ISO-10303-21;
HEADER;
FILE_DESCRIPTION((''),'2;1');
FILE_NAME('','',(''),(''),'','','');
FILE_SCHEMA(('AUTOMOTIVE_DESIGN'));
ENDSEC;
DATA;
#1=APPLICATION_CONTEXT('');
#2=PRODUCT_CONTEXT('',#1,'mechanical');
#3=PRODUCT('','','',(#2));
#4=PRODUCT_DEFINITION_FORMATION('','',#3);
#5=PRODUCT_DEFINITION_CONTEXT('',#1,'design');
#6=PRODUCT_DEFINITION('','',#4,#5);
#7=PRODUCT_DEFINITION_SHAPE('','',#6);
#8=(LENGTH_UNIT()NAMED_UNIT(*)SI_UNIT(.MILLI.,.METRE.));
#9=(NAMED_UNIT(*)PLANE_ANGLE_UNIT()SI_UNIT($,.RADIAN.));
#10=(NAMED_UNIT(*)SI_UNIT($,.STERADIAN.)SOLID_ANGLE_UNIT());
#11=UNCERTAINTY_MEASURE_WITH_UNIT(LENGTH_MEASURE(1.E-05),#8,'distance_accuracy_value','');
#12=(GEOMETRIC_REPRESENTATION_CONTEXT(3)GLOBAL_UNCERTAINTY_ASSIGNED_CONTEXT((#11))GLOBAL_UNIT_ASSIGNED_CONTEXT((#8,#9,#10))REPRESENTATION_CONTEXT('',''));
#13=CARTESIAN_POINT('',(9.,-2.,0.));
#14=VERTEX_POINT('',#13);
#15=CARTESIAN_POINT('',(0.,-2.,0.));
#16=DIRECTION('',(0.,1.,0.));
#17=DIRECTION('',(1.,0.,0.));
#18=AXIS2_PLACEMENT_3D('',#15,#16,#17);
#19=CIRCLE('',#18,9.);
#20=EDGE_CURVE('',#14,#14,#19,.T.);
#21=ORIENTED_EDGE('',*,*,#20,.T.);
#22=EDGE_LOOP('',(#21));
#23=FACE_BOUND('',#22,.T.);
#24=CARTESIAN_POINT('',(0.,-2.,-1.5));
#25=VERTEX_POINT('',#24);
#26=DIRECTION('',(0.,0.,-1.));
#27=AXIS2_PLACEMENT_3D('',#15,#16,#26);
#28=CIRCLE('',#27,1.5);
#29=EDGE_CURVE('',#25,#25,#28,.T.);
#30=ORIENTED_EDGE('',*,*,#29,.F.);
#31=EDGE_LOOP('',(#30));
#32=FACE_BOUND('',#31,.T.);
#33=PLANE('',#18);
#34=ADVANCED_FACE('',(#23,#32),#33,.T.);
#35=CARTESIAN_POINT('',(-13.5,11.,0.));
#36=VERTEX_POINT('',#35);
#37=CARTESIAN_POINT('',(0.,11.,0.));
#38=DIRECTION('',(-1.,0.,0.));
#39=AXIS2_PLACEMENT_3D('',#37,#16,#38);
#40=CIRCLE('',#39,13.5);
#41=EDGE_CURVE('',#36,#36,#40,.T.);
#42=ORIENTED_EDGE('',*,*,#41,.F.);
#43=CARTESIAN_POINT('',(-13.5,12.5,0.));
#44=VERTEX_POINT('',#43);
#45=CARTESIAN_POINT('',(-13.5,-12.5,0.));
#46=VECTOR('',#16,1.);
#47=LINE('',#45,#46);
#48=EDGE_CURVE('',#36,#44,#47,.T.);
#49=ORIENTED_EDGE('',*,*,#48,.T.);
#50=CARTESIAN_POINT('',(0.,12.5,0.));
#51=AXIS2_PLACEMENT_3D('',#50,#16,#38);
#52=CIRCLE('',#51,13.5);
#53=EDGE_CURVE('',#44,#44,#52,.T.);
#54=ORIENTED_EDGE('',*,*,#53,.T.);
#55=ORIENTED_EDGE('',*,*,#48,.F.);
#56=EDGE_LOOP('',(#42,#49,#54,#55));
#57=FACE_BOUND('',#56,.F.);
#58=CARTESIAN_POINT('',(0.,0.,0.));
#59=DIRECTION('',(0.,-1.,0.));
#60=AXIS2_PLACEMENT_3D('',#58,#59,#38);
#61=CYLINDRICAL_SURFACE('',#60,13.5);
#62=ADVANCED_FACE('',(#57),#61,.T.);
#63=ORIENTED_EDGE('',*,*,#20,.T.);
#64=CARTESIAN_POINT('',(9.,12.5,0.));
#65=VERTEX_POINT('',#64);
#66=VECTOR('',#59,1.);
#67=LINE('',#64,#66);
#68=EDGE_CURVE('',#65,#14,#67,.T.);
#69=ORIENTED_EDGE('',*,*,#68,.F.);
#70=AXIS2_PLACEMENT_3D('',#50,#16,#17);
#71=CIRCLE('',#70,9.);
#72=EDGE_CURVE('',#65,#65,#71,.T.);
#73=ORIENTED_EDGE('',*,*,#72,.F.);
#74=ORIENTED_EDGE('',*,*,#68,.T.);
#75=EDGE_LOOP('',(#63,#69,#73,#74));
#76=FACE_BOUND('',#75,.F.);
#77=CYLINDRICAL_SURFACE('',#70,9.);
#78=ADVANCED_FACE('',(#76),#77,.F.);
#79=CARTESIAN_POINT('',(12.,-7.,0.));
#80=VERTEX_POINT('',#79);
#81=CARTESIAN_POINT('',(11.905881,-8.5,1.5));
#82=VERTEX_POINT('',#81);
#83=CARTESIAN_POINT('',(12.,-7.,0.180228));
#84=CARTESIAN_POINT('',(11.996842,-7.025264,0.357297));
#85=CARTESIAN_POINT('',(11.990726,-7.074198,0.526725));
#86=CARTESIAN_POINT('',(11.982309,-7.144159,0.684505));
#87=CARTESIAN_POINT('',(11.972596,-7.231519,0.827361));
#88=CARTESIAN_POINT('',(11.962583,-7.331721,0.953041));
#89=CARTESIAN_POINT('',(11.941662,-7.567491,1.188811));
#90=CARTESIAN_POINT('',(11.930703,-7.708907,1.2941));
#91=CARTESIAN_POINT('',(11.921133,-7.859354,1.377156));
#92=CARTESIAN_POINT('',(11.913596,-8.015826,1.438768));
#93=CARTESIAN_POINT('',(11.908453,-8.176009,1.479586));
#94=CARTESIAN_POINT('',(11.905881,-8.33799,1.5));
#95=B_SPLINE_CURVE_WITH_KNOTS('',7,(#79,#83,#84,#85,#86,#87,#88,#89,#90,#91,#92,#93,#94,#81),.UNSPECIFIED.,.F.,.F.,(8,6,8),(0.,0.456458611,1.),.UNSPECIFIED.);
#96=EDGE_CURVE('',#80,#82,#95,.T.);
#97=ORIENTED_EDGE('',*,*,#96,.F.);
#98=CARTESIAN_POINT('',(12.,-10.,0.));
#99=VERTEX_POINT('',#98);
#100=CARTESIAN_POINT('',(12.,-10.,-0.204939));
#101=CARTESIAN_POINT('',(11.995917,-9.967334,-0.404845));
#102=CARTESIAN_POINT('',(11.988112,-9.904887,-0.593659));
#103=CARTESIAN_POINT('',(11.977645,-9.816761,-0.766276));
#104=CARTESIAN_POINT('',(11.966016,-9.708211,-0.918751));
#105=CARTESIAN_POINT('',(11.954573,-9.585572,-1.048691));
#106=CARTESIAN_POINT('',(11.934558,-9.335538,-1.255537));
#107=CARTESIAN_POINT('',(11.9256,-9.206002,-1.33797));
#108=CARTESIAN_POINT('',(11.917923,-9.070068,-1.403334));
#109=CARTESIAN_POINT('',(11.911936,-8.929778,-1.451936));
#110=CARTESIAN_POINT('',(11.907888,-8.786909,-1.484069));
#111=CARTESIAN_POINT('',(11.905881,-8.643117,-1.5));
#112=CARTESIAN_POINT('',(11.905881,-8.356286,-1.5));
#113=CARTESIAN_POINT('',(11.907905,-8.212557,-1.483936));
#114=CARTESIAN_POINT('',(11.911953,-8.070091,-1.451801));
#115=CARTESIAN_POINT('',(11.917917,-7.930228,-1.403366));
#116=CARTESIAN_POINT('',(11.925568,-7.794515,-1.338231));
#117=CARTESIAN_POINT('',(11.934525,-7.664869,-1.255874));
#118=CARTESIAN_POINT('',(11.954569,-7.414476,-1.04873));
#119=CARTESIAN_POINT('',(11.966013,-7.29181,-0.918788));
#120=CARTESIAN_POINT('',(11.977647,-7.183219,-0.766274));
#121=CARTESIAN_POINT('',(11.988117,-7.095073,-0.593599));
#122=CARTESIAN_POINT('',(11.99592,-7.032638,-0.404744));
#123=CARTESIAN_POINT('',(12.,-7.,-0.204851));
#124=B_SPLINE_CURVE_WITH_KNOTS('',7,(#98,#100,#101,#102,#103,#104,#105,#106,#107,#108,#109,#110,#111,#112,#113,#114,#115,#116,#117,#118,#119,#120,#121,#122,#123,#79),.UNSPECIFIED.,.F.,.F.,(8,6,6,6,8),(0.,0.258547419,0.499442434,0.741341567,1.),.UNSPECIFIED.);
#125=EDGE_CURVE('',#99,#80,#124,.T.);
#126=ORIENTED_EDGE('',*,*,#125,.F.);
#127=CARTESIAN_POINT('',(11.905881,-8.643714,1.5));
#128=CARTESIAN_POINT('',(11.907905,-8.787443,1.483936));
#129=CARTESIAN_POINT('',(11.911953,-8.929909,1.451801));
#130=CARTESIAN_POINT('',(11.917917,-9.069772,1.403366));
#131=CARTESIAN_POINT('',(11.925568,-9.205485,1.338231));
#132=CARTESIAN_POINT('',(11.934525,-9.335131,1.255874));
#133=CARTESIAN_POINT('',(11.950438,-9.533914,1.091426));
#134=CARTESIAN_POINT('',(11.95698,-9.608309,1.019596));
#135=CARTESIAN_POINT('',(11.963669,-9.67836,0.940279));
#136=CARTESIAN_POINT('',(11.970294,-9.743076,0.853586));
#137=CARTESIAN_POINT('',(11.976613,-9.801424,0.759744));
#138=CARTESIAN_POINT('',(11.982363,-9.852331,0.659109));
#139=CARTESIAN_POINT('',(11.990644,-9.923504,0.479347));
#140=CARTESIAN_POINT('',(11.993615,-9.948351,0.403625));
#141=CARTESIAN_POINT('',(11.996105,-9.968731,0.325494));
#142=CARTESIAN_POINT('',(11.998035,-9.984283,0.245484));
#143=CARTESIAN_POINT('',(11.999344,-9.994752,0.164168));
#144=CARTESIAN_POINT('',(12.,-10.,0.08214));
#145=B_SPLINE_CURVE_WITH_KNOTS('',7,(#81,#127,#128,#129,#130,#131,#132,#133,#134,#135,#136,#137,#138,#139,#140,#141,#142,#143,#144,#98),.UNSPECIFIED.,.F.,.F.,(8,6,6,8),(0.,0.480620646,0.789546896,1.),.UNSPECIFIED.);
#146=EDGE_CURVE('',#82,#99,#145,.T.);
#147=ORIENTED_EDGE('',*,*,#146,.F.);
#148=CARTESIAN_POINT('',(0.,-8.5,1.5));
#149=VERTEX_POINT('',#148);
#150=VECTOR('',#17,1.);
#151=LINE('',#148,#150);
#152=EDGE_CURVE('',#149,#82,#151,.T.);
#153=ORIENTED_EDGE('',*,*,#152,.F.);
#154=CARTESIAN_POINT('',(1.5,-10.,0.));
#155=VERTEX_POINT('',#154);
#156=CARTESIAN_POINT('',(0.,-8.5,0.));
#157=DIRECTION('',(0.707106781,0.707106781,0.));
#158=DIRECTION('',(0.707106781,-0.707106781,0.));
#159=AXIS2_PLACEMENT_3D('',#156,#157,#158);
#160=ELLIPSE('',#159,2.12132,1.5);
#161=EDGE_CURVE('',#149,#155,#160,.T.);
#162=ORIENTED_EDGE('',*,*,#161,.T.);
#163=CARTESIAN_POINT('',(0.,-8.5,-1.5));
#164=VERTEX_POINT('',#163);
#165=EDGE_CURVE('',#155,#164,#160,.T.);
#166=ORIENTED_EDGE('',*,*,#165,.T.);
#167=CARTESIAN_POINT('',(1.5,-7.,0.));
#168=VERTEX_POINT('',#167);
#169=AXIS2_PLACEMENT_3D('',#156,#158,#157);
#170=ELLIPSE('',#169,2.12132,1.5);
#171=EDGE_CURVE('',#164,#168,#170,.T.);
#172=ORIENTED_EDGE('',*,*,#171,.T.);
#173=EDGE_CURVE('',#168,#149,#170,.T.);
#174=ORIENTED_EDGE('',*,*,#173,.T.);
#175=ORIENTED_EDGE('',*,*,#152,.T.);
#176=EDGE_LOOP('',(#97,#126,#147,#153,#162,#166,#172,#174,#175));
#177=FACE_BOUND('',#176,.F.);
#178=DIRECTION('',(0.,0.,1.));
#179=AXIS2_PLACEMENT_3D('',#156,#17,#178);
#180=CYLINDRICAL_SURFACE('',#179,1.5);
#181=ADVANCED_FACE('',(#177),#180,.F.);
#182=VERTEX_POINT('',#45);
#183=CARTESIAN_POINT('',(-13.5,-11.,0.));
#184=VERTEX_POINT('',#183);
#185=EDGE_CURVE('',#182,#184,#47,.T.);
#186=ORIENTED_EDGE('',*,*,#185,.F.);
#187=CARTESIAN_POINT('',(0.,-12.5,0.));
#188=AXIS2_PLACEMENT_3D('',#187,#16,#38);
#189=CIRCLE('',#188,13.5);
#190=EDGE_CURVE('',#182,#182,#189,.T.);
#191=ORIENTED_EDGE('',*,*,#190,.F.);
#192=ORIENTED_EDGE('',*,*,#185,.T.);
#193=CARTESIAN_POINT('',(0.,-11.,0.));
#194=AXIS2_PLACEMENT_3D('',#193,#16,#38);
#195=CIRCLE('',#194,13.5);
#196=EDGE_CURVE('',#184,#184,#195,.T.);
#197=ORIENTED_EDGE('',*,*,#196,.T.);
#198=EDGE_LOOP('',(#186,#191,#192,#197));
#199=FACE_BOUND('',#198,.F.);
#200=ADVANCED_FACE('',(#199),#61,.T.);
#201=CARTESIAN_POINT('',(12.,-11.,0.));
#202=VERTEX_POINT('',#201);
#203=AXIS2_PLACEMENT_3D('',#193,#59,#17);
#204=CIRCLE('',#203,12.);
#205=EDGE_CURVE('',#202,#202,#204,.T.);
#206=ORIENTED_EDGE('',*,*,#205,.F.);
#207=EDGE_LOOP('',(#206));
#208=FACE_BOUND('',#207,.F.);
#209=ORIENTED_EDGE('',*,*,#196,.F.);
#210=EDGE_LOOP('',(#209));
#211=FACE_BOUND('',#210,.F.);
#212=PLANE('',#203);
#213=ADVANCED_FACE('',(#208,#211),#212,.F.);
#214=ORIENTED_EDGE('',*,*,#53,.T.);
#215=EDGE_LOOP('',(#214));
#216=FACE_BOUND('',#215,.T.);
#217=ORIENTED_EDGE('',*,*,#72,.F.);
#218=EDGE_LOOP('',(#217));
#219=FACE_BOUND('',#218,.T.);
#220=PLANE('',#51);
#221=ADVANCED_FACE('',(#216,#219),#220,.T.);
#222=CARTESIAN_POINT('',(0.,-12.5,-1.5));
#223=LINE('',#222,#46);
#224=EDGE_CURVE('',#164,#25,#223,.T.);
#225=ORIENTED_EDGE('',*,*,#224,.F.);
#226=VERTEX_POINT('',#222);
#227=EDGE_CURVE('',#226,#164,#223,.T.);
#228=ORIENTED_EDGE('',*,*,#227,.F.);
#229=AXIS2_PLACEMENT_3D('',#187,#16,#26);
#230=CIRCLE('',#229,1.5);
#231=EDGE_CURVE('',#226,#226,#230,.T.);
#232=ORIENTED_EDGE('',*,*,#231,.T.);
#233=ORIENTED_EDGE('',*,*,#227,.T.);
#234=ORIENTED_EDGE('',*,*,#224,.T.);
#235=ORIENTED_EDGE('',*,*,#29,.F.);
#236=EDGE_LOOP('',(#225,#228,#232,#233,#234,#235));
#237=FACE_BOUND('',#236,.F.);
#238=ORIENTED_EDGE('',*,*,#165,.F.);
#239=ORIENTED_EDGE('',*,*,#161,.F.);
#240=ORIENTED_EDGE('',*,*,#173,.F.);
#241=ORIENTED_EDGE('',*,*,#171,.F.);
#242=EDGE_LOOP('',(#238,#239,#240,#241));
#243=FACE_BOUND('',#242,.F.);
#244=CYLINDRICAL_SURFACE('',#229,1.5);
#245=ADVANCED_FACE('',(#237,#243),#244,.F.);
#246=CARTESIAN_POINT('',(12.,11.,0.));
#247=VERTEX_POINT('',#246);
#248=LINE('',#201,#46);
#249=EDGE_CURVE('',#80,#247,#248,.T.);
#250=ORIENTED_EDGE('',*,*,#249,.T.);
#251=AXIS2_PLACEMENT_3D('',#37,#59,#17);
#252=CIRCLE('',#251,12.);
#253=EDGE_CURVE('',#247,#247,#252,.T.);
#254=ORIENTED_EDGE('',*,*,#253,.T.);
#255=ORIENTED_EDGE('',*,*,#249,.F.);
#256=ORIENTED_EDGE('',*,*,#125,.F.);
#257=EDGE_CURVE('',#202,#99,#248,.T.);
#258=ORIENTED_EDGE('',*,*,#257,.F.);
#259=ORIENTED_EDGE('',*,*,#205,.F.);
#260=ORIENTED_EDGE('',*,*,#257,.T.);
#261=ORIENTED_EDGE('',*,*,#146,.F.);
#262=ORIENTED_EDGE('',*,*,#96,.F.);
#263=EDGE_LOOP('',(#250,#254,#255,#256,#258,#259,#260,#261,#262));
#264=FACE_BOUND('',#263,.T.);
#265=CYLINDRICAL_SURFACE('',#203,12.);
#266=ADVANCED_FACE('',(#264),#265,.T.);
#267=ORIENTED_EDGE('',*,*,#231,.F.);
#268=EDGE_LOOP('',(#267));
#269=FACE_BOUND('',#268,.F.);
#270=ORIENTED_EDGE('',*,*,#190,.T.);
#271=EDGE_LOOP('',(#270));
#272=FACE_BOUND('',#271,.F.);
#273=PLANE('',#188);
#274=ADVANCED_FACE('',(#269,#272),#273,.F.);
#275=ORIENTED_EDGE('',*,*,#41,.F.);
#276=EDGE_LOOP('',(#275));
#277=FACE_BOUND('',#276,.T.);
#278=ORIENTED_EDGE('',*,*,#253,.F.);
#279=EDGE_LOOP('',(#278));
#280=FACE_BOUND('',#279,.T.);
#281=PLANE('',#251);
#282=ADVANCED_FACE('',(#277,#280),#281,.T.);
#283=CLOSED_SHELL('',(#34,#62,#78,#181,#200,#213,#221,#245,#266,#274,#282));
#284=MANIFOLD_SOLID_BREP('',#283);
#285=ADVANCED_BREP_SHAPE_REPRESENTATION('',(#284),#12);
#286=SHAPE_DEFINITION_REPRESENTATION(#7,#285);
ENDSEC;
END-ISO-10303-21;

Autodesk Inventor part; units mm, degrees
ref_plane "YZ Plane" through (0, 0, 0) normal (1, 0, 0) x (0, 1, 0)
ref_plane "XZ Plane" through (0, 0, 0) normal (0, 1, 0) x (-1, 0, 0)
ref_plane "XY Plane" through (0, 0, 0) normal (0, 0, 1) x (1, 0, 0)
sketch "Náčrt1" plane through (0, 0, 0) normal (0, 1, 0) x (-1, 0, 0)
  circle A0 centre (0, 0) radius 16.5
  circle A1 centre (0, 0) radius 13.5
  dimension "d0" = 33
  dimension "d1" = 27
extrude "Vysunutí1" add sketch "Náčrt1" along normal mid plane 25 contours A1
sketch "Náčrt4" plane through (0, 0, 0) normal (1, 0, 0) x (0, 1, 0)
  line L0 (-12.5, 13.5) -> (-12.5, -13.5) projected
  point P0 (0, 0)
  point P1 (-8.5, 0)
  dimension "d16" = 4
hole "Díra2" at (0, -8.5, 0) direction (1, 0, 0) diameter 3 end through all
thread "Závit1" size "M3x0.5" class "6H" standard "ISO Metric profile" full length
extrude "Vysunutí2" add sketch "Náčrt1" along normal mid plane 22
sketch "Náčrt2" plane through (0, 12.5, 0) normal (0, 1, 0) x (1, 0, 0)
  circle A0 centre (0, 0) radius 9
  dimension "d6" = 18
extrude "Vysunutí3" cut sketch "Náčrt2" against normal blind 14.5
sketch "Náčrt3" plane through (0, -12.5, 0) normal (0, -1, 0) x (1, 0, 0)
  circle A0 centre (0, 0) radius 13.5 projected
hole "Díra1" at (0, -12.5, 0) direction (0, 1, 0) diameter 3 end through all
sketch "Náčrt5" plane through (0, -11, 0) normal (0, -1, 0) x (1, 0, 0)
  circle A0 centre (0, 0) radius 16.5 projected
  circle A1 centre (0, 0) radius 12
  dimension "d26" = 24
extrude "Vysunutí4" cut sketch "Náčrt5" against normal up to surface (22 mm away)
properties part number "JSUMO_Wheel_33x25mm_NoSilicon"
